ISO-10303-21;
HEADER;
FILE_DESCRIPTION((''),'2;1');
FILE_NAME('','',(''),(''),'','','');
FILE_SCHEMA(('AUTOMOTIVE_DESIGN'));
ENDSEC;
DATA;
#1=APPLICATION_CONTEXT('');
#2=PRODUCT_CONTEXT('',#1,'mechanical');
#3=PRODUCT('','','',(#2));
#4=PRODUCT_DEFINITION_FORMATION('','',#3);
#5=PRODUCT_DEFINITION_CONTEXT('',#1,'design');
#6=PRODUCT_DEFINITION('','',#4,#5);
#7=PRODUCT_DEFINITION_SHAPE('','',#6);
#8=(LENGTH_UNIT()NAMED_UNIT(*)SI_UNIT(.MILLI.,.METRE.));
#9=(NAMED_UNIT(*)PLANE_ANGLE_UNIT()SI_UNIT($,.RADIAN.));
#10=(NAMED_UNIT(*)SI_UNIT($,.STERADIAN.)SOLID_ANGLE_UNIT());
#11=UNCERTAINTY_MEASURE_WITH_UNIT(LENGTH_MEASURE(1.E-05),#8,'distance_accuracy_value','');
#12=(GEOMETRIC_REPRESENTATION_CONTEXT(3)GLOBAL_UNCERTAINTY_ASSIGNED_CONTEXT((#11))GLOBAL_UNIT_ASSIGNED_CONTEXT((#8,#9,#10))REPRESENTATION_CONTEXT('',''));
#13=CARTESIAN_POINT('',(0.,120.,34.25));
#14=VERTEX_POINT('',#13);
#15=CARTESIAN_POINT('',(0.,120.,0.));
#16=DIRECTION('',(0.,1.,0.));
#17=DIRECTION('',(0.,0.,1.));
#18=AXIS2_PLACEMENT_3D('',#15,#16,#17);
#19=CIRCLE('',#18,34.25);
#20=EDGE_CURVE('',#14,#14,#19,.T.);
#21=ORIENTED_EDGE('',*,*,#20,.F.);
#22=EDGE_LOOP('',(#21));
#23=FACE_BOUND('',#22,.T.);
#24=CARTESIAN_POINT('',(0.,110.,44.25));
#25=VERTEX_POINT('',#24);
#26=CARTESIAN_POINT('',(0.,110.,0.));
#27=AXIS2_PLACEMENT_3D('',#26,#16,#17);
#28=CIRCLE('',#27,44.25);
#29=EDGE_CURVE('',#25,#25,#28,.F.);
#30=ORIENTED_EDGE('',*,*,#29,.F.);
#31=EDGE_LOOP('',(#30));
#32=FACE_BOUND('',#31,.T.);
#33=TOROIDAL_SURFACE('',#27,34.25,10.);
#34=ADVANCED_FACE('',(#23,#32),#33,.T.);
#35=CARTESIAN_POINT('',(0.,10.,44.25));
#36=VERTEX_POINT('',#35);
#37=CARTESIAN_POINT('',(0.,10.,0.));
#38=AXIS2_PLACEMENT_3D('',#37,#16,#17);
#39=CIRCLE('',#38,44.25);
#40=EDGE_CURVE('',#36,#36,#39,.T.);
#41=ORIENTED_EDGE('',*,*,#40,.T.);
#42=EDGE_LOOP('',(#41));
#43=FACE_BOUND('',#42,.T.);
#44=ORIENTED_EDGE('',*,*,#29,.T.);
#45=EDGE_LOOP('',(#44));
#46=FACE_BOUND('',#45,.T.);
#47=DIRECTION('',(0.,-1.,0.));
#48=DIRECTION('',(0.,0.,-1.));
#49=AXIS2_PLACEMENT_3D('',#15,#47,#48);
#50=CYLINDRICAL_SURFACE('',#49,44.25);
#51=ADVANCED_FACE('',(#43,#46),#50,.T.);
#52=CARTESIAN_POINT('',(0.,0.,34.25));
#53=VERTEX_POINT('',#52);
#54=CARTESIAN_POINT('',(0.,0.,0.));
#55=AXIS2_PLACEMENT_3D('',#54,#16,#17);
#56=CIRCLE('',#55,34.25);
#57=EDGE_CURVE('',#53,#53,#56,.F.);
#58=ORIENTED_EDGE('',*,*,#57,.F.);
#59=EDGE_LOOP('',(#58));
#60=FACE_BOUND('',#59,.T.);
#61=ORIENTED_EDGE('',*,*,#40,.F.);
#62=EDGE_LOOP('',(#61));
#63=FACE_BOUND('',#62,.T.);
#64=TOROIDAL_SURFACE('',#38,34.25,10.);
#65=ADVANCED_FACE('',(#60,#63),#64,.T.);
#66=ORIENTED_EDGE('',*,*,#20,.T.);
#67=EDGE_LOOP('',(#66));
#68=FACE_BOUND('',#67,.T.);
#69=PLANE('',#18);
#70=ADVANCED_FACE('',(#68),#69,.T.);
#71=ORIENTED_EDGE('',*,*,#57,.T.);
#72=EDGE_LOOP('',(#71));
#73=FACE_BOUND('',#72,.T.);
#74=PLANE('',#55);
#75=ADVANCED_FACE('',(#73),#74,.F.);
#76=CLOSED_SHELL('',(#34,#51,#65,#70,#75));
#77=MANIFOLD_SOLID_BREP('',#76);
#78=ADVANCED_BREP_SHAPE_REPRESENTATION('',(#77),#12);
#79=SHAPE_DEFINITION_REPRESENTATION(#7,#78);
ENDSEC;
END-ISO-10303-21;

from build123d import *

# Parameters (mm, degrees)
SKETCH2_R           = 44.25
BOSS_EXTRUDE1_DEPTH = 120
FILLET1_R           = 10


with BuildPart() as part:
    # Sketch2 → Boss-Extrude1 (new body)
    with BuildSketch(Plane(origin=(0, 0, 0), x_dir=(1, 0, 0), z_dir=(0, 1, 0))):
        Circle(SKETCH2_R)
    extrude(amount=BOSS_EXTRUDE1_DEPTH)

    # Fillet1
    fillet1_edges = [part.edges().sort_by_distance(p)[0] for p in [
        (-44.25, 0, 0),
        (-44.25, 120, 0),
    ]]
    fillet(fillet1_edges, radius=FILLET1_R)


solid = part.part
